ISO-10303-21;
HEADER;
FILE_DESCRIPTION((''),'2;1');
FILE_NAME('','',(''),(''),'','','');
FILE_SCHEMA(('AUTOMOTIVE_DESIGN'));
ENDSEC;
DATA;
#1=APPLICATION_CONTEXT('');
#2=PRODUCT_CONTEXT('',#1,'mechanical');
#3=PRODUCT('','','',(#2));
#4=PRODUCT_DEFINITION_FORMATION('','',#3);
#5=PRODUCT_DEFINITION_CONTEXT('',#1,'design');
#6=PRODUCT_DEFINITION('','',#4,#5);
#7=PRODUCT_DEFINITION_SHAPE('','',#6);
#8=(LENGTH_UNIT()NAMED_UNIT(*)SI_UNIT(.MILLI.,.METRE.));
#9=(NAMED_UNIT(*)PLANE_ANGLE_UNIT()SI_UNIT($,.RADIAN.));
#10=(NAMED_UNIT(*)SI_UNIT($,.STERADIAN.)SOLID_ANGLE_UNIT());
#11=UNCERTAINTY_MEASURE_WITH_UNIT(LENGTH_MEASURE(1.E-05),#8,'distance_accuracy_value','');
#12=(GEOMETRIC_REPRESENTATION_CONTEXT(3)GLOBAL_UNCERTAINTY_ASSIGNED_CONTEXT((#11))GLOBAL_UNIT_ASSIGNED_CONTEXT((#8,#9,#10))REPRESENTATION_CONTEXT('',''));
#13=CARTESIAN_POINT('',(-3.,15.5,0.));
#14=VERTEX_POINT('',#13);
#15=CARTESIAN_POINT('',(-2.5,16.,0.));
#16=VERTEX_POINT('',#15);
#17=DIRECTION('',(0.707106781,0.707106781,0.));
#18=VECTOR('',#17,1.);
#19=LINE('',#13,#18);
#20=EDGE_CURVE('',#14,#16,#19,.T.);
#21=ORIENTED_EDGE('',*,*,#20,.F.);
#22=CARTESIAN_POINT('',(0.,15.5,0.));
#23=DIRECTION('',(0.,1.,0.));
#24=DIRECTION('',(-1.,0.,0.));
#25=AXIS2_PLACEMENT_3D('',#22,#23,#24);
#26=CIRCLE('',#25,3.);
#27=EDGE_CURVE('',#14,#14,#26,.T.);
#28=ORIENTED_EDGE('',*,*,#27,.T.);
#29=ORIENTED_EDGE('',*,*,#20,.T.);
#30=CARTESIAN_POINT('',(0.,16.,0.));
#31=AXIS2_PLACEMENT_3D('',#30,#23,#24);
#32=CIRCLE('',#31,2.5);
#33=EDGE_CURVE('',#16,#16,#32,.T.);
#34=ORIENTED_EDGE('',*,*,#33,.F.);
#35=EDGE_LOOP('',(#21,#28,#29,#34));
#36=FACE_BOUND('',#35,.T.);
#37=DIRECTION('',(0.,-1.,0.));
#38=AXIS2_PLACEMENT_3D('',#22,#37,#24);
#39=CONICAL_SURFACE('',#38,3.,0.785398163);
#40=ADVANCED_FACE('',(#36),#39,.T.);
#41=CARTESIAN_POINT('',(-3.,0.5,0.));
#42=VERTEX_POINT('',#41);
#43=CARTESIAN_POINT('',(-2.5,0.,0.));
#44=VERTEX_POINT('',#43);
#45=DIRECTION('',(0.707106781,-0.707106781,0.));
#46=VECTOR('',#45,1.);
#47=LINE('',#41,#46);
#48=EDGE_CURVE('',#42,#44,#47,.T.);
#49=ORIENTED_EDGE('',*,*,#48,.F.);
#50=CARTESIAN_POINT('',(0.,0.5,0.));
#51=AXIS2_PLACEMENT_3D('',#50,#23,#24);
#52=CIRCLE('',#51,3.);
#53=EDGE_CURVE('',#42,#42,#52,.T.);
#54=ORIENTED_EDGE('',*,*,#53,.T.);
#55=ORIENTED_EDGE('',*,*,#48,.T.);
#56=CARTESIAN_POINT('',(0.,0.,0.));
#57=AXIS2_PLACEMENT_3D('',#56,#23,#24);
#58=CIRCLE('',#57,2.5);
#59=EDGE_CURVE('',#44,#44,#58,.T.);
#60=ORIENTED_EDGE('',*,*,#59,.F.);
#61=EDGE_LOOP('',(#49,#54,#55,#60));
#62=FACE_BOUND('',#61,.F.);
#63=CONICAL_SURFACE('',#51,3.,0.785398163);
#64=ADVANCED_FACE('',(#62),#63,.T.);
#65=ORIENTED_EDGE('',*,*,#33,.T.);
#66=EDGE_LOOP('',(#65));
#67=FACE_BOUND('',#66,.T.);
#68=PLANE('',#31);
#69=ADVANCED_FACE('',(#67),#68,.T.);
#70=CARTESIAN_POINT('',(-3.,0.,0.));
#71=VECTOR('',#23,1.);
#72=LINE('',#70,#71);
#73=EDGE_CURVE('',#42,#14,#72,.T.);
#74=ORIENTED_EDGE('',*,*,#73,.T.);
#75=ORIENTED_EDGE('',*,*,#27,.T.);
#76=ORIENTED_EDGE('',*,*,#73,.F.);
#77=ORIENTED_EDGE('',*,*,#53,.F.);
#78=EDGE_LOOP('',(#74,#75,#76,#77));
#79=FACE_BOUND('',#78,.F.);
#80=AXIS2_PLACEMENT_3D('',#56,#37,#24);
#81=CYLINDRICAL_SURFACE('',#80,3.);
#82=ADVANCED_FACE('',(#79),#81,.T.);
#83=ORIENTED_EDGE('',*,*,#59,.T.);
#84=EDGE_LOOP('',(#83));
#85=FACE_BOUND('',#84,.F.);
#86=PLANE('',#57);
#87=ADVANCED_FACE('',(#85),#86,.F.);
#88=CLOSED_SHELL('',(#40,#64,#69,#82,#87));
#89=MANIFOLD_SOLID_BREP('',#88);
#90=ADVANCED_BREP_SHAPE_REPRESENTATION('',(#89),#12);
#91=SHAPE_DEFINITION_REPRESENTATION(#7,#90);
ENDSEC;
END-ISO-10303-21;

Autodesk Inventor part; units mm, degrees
ref_plane "YZ Plane" through (0, 0, 0) normal (1, 0, 0) x (0, 1, 0)
ref_plane "XZ Plane" through (0, 0, 0) normal (0, 1, 0) x (-1, 0, 0)
ref_plane "XY Plane" through (0, 0, 0) normal (0, 0, 1) x (1, 0, 0)
sketch "Sketch1" plane through (0, 0, 0) normal (0, 1, 0) x (-1, 0, 0)
  circle A0 centre (0, 0) radius 3
  dimension "d0" = 6
extrude "Extrusion1" add sketch "Sketch1" along normal blind 16
chamfer "Chamfer1" distance 0.5 angle 45 2 edges at (3, 16, 0) (3, 0, 0)
properties part number "dowel_pin_DIN_6325" material "Stainless Steel"
